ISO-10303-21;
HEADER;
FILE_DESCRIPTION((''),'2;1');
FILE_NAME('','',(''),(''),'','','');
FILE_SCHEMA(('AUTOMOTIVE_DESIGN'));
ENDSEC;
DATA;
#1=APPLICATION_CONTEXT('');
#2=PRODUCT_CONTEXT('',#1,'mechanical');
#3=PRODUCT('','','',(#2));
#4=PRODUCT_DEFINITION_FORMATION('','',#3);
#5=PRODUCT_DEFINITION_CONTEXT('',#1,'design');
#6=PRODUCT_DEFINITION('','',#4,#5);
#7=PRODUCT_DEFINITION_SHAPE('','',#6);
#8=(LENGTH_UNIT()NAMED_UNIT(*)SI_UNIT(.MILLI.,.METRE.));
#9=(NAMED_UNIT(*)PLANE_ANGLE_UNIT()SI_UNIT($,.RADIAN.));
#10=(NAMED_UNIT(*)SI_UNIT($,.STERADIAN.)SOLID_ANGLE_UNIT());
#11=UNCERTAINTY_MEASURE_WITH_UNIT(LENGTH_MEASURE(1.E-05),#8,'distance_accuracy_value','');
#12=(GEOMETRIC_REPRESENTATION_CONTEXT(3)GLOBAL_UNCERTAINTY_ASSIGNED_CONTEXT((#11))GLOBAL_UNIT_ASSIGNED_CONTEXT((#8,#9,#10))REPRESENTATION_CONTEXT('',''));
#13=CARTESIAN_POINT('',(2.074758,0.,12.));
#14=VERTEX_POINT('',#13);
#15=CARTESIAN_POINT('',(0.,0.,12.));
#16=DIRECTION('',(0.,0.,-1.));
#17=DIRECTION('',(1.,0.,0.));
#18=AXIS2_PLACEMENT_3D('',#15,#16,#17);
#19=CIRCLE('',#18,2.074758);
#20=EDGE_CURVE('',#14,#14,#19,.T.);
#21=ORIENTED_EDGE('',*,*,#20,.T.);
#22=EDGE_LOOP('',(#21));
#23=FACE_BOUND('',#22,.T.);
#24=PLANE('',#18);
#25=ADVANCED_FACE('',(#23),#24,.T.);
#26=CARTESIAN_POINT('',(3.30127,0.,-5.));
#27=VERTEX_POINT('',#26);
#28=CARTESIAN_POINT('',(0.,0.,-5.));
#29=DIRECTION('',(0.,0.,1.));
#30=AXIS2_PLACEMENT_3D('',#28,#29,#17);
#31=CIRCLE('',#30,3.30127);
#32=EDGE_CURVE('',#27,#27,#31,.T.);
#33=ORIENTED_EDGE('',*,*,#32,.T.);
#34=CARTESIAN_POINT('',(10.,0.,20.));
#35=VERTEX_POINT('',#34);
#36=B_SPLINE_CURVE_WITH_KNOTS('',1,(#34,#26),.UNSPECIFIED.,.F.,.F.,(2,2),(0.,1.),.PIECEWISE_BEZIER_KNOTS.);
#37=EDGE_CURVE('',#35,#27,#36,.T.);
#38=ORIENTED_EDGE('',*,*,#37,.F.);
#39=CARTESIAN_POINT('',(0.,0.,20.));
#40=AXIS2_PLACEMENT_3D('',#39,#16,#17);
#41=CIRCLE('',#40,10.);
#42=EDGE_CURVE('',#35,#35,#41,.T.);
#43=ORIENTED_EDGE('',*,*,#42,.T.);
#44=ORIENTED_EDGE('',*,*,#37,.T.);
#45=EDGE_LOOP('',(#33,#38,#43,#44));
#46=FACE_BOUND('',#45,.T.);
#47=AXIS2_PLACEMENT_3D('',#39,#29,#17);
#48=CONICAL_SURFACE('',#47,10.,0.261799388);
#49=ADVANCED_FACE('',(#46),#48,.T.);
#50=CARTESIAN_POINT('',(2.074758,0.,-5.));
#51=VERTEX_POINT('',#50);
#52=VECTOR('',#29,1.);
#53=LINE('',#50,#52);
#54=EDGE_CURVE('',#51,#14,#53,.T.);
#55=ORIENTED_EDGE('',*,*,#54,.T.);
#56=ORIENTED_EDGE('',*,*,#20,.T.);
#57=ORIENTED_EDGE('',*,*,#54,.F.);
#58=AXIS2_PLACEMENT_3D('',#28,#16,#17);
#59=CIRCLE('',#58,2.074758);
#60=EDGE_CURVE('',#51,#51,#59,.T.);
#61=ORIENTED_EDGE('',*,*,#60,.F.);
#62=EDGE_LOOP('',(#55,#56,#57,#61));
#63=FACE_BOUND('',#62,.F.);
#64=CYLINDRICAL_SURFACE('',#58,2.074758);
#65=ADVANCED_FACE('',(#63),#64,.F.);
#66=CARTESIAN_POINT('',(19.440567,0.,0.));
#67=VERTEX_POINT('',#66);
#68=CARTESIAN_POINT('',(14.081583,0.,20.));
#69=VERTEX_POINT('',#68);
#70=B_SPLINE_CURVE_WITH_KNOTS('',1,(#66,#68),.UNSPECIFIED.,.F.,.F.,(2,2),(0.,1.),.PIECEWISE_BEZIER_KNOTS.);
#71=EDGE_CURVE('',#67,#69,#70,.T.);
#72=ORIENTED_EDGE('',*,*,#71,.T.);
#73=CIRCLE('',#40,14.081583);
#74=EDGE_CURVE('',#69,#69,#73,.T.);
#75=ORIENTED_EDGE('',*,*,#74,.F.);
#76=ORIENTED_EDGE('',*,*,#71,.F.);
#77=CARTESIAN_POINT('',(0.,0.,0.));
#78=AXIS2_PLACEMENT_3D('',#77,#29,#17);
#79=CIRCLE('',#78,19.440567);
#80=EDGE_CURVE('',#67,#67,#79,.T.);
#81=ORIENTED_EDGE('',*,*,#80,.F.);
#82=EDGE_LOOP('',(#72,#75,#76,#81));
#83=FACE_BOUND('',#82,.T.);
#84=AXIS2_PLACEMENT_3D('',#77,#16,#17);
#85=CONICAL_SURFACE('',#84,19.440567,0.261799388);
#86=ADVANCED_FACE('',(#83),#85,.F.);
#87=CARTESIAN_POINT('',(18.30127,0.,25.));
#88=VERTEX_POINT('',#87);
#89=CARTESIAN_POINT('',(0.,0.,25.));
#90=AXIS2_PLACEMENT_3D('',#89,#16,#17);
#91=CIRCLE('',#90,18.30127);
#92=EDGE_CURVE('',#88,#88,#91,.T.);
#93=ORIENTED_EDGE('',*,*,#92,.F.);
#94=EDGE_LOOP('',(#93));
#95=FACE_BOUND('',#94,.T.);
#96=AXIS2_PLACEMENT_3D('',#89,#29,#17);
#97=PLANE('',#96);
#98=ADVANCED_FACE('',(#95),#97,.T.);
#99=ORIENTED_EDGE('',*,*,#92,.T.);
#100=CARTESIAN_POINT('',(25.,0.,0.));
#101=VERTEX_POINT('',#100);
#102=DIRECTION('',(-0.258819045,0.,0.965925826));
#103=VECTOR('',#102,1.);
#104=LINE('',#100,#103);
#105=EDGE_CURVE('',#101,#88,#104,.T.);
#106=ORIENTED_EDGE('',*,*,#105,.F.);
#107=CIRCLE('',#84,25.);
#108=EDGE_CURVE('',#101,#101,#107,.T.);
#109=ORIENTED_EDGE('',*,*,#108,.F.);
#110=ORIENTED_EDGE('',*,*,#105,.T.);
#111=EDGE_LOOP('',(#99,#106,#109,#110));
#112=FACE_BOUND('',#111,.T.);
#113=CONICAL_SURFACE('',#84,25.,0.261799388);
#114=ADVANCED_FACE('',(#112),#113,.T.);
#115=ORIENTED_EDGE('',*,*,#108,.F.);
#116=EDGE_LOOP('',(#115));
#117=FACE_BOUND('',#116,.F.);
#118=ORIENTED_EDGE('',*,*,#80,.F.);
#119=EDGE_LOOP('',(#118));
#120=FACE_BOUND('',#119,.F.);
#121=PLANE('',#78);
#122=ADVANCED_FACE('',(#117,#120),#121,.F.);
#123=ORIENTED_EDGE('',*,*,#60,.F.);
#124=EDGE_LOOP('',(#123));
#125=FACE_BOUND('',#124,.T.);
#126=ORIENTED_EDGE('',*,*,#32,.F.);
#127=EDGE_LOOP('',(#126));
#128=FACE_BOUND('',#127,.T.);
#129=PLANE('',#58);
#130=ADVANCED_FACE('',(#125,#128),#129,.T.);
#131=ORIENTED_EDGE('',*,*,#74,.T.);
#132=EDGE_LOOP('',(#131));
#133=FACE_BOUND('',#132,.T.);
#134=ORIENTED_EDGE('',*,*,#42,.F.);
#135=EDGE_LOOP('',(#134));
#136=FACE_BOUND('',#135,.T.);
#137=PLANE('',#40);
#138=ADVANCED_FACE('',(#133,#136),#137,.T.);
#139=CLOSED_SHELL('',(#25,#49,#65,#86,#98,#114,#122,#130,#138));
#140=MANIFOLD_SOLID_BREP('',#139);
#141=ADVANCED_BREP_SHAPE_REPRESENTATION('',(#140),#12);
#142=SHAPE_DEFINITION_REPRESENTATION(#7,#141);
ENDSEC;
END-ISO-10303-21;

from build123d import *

# Parameters (mm, degrees)
SKETCH_R        = 25
PAD_DEPTH       = 25
PAD_TAPER       = 15
SKETCH001_R     = 19.440567
POCKET_DEPTH    = 20
POCKET_TAPER    = 15
SKETCH002_R     = 10
PAD001_DEPTH    = 25
PAD001_TAPER    = 15
SKETCH003_R     = 2.074758
POCKET001_DEPTH = 17


with BuildPart() as part:
    # Sketch → Pad (new body)
    with BuildSketch(Plane.XY):
        Circle(SKETCH_R)
    extrude(amount=PAD_DEPTH, taper=PAD_TAPER)

    # Sketch001 (on Face2 of Pad) → Pocket (cut)
    with BuildSketch(Plane(origin=(0, 0, 0), x_dir=(1, 0, 0), z_dir=(0, 0, -1))):
        Circle(SKETCH001_R)
    extrude(amount=-POCKET_DEPTH, taper=POCKET_TAPER, mode=Mode.SUBTRACT)

    # Sketch002 (on Face5 of Pocket) → Pad001 (join)
    with BuildSketch(Plane(origin=(0, 0, 20), x_dir=(1, 0, 0), z_dir=(0, 0, -1))):
        Circle(SKETCH002_R)
    extrude(amount=PAD001_DEPTH, taper=PAD001_TAPER)

    # Sketch003 (on Face7 of Pad001) → Pocket001 (cut)
    with BuildSketch(Plane(origin=(0, 0, -5), x_dir=(1, 0, 0), z_dir=(0, 0, -1))):
        Circle(SKETCH003_R)
    extrude(amount=-POCKET001_DEPTH, mode=Mode.SUBTRACT)


solid = part.part
